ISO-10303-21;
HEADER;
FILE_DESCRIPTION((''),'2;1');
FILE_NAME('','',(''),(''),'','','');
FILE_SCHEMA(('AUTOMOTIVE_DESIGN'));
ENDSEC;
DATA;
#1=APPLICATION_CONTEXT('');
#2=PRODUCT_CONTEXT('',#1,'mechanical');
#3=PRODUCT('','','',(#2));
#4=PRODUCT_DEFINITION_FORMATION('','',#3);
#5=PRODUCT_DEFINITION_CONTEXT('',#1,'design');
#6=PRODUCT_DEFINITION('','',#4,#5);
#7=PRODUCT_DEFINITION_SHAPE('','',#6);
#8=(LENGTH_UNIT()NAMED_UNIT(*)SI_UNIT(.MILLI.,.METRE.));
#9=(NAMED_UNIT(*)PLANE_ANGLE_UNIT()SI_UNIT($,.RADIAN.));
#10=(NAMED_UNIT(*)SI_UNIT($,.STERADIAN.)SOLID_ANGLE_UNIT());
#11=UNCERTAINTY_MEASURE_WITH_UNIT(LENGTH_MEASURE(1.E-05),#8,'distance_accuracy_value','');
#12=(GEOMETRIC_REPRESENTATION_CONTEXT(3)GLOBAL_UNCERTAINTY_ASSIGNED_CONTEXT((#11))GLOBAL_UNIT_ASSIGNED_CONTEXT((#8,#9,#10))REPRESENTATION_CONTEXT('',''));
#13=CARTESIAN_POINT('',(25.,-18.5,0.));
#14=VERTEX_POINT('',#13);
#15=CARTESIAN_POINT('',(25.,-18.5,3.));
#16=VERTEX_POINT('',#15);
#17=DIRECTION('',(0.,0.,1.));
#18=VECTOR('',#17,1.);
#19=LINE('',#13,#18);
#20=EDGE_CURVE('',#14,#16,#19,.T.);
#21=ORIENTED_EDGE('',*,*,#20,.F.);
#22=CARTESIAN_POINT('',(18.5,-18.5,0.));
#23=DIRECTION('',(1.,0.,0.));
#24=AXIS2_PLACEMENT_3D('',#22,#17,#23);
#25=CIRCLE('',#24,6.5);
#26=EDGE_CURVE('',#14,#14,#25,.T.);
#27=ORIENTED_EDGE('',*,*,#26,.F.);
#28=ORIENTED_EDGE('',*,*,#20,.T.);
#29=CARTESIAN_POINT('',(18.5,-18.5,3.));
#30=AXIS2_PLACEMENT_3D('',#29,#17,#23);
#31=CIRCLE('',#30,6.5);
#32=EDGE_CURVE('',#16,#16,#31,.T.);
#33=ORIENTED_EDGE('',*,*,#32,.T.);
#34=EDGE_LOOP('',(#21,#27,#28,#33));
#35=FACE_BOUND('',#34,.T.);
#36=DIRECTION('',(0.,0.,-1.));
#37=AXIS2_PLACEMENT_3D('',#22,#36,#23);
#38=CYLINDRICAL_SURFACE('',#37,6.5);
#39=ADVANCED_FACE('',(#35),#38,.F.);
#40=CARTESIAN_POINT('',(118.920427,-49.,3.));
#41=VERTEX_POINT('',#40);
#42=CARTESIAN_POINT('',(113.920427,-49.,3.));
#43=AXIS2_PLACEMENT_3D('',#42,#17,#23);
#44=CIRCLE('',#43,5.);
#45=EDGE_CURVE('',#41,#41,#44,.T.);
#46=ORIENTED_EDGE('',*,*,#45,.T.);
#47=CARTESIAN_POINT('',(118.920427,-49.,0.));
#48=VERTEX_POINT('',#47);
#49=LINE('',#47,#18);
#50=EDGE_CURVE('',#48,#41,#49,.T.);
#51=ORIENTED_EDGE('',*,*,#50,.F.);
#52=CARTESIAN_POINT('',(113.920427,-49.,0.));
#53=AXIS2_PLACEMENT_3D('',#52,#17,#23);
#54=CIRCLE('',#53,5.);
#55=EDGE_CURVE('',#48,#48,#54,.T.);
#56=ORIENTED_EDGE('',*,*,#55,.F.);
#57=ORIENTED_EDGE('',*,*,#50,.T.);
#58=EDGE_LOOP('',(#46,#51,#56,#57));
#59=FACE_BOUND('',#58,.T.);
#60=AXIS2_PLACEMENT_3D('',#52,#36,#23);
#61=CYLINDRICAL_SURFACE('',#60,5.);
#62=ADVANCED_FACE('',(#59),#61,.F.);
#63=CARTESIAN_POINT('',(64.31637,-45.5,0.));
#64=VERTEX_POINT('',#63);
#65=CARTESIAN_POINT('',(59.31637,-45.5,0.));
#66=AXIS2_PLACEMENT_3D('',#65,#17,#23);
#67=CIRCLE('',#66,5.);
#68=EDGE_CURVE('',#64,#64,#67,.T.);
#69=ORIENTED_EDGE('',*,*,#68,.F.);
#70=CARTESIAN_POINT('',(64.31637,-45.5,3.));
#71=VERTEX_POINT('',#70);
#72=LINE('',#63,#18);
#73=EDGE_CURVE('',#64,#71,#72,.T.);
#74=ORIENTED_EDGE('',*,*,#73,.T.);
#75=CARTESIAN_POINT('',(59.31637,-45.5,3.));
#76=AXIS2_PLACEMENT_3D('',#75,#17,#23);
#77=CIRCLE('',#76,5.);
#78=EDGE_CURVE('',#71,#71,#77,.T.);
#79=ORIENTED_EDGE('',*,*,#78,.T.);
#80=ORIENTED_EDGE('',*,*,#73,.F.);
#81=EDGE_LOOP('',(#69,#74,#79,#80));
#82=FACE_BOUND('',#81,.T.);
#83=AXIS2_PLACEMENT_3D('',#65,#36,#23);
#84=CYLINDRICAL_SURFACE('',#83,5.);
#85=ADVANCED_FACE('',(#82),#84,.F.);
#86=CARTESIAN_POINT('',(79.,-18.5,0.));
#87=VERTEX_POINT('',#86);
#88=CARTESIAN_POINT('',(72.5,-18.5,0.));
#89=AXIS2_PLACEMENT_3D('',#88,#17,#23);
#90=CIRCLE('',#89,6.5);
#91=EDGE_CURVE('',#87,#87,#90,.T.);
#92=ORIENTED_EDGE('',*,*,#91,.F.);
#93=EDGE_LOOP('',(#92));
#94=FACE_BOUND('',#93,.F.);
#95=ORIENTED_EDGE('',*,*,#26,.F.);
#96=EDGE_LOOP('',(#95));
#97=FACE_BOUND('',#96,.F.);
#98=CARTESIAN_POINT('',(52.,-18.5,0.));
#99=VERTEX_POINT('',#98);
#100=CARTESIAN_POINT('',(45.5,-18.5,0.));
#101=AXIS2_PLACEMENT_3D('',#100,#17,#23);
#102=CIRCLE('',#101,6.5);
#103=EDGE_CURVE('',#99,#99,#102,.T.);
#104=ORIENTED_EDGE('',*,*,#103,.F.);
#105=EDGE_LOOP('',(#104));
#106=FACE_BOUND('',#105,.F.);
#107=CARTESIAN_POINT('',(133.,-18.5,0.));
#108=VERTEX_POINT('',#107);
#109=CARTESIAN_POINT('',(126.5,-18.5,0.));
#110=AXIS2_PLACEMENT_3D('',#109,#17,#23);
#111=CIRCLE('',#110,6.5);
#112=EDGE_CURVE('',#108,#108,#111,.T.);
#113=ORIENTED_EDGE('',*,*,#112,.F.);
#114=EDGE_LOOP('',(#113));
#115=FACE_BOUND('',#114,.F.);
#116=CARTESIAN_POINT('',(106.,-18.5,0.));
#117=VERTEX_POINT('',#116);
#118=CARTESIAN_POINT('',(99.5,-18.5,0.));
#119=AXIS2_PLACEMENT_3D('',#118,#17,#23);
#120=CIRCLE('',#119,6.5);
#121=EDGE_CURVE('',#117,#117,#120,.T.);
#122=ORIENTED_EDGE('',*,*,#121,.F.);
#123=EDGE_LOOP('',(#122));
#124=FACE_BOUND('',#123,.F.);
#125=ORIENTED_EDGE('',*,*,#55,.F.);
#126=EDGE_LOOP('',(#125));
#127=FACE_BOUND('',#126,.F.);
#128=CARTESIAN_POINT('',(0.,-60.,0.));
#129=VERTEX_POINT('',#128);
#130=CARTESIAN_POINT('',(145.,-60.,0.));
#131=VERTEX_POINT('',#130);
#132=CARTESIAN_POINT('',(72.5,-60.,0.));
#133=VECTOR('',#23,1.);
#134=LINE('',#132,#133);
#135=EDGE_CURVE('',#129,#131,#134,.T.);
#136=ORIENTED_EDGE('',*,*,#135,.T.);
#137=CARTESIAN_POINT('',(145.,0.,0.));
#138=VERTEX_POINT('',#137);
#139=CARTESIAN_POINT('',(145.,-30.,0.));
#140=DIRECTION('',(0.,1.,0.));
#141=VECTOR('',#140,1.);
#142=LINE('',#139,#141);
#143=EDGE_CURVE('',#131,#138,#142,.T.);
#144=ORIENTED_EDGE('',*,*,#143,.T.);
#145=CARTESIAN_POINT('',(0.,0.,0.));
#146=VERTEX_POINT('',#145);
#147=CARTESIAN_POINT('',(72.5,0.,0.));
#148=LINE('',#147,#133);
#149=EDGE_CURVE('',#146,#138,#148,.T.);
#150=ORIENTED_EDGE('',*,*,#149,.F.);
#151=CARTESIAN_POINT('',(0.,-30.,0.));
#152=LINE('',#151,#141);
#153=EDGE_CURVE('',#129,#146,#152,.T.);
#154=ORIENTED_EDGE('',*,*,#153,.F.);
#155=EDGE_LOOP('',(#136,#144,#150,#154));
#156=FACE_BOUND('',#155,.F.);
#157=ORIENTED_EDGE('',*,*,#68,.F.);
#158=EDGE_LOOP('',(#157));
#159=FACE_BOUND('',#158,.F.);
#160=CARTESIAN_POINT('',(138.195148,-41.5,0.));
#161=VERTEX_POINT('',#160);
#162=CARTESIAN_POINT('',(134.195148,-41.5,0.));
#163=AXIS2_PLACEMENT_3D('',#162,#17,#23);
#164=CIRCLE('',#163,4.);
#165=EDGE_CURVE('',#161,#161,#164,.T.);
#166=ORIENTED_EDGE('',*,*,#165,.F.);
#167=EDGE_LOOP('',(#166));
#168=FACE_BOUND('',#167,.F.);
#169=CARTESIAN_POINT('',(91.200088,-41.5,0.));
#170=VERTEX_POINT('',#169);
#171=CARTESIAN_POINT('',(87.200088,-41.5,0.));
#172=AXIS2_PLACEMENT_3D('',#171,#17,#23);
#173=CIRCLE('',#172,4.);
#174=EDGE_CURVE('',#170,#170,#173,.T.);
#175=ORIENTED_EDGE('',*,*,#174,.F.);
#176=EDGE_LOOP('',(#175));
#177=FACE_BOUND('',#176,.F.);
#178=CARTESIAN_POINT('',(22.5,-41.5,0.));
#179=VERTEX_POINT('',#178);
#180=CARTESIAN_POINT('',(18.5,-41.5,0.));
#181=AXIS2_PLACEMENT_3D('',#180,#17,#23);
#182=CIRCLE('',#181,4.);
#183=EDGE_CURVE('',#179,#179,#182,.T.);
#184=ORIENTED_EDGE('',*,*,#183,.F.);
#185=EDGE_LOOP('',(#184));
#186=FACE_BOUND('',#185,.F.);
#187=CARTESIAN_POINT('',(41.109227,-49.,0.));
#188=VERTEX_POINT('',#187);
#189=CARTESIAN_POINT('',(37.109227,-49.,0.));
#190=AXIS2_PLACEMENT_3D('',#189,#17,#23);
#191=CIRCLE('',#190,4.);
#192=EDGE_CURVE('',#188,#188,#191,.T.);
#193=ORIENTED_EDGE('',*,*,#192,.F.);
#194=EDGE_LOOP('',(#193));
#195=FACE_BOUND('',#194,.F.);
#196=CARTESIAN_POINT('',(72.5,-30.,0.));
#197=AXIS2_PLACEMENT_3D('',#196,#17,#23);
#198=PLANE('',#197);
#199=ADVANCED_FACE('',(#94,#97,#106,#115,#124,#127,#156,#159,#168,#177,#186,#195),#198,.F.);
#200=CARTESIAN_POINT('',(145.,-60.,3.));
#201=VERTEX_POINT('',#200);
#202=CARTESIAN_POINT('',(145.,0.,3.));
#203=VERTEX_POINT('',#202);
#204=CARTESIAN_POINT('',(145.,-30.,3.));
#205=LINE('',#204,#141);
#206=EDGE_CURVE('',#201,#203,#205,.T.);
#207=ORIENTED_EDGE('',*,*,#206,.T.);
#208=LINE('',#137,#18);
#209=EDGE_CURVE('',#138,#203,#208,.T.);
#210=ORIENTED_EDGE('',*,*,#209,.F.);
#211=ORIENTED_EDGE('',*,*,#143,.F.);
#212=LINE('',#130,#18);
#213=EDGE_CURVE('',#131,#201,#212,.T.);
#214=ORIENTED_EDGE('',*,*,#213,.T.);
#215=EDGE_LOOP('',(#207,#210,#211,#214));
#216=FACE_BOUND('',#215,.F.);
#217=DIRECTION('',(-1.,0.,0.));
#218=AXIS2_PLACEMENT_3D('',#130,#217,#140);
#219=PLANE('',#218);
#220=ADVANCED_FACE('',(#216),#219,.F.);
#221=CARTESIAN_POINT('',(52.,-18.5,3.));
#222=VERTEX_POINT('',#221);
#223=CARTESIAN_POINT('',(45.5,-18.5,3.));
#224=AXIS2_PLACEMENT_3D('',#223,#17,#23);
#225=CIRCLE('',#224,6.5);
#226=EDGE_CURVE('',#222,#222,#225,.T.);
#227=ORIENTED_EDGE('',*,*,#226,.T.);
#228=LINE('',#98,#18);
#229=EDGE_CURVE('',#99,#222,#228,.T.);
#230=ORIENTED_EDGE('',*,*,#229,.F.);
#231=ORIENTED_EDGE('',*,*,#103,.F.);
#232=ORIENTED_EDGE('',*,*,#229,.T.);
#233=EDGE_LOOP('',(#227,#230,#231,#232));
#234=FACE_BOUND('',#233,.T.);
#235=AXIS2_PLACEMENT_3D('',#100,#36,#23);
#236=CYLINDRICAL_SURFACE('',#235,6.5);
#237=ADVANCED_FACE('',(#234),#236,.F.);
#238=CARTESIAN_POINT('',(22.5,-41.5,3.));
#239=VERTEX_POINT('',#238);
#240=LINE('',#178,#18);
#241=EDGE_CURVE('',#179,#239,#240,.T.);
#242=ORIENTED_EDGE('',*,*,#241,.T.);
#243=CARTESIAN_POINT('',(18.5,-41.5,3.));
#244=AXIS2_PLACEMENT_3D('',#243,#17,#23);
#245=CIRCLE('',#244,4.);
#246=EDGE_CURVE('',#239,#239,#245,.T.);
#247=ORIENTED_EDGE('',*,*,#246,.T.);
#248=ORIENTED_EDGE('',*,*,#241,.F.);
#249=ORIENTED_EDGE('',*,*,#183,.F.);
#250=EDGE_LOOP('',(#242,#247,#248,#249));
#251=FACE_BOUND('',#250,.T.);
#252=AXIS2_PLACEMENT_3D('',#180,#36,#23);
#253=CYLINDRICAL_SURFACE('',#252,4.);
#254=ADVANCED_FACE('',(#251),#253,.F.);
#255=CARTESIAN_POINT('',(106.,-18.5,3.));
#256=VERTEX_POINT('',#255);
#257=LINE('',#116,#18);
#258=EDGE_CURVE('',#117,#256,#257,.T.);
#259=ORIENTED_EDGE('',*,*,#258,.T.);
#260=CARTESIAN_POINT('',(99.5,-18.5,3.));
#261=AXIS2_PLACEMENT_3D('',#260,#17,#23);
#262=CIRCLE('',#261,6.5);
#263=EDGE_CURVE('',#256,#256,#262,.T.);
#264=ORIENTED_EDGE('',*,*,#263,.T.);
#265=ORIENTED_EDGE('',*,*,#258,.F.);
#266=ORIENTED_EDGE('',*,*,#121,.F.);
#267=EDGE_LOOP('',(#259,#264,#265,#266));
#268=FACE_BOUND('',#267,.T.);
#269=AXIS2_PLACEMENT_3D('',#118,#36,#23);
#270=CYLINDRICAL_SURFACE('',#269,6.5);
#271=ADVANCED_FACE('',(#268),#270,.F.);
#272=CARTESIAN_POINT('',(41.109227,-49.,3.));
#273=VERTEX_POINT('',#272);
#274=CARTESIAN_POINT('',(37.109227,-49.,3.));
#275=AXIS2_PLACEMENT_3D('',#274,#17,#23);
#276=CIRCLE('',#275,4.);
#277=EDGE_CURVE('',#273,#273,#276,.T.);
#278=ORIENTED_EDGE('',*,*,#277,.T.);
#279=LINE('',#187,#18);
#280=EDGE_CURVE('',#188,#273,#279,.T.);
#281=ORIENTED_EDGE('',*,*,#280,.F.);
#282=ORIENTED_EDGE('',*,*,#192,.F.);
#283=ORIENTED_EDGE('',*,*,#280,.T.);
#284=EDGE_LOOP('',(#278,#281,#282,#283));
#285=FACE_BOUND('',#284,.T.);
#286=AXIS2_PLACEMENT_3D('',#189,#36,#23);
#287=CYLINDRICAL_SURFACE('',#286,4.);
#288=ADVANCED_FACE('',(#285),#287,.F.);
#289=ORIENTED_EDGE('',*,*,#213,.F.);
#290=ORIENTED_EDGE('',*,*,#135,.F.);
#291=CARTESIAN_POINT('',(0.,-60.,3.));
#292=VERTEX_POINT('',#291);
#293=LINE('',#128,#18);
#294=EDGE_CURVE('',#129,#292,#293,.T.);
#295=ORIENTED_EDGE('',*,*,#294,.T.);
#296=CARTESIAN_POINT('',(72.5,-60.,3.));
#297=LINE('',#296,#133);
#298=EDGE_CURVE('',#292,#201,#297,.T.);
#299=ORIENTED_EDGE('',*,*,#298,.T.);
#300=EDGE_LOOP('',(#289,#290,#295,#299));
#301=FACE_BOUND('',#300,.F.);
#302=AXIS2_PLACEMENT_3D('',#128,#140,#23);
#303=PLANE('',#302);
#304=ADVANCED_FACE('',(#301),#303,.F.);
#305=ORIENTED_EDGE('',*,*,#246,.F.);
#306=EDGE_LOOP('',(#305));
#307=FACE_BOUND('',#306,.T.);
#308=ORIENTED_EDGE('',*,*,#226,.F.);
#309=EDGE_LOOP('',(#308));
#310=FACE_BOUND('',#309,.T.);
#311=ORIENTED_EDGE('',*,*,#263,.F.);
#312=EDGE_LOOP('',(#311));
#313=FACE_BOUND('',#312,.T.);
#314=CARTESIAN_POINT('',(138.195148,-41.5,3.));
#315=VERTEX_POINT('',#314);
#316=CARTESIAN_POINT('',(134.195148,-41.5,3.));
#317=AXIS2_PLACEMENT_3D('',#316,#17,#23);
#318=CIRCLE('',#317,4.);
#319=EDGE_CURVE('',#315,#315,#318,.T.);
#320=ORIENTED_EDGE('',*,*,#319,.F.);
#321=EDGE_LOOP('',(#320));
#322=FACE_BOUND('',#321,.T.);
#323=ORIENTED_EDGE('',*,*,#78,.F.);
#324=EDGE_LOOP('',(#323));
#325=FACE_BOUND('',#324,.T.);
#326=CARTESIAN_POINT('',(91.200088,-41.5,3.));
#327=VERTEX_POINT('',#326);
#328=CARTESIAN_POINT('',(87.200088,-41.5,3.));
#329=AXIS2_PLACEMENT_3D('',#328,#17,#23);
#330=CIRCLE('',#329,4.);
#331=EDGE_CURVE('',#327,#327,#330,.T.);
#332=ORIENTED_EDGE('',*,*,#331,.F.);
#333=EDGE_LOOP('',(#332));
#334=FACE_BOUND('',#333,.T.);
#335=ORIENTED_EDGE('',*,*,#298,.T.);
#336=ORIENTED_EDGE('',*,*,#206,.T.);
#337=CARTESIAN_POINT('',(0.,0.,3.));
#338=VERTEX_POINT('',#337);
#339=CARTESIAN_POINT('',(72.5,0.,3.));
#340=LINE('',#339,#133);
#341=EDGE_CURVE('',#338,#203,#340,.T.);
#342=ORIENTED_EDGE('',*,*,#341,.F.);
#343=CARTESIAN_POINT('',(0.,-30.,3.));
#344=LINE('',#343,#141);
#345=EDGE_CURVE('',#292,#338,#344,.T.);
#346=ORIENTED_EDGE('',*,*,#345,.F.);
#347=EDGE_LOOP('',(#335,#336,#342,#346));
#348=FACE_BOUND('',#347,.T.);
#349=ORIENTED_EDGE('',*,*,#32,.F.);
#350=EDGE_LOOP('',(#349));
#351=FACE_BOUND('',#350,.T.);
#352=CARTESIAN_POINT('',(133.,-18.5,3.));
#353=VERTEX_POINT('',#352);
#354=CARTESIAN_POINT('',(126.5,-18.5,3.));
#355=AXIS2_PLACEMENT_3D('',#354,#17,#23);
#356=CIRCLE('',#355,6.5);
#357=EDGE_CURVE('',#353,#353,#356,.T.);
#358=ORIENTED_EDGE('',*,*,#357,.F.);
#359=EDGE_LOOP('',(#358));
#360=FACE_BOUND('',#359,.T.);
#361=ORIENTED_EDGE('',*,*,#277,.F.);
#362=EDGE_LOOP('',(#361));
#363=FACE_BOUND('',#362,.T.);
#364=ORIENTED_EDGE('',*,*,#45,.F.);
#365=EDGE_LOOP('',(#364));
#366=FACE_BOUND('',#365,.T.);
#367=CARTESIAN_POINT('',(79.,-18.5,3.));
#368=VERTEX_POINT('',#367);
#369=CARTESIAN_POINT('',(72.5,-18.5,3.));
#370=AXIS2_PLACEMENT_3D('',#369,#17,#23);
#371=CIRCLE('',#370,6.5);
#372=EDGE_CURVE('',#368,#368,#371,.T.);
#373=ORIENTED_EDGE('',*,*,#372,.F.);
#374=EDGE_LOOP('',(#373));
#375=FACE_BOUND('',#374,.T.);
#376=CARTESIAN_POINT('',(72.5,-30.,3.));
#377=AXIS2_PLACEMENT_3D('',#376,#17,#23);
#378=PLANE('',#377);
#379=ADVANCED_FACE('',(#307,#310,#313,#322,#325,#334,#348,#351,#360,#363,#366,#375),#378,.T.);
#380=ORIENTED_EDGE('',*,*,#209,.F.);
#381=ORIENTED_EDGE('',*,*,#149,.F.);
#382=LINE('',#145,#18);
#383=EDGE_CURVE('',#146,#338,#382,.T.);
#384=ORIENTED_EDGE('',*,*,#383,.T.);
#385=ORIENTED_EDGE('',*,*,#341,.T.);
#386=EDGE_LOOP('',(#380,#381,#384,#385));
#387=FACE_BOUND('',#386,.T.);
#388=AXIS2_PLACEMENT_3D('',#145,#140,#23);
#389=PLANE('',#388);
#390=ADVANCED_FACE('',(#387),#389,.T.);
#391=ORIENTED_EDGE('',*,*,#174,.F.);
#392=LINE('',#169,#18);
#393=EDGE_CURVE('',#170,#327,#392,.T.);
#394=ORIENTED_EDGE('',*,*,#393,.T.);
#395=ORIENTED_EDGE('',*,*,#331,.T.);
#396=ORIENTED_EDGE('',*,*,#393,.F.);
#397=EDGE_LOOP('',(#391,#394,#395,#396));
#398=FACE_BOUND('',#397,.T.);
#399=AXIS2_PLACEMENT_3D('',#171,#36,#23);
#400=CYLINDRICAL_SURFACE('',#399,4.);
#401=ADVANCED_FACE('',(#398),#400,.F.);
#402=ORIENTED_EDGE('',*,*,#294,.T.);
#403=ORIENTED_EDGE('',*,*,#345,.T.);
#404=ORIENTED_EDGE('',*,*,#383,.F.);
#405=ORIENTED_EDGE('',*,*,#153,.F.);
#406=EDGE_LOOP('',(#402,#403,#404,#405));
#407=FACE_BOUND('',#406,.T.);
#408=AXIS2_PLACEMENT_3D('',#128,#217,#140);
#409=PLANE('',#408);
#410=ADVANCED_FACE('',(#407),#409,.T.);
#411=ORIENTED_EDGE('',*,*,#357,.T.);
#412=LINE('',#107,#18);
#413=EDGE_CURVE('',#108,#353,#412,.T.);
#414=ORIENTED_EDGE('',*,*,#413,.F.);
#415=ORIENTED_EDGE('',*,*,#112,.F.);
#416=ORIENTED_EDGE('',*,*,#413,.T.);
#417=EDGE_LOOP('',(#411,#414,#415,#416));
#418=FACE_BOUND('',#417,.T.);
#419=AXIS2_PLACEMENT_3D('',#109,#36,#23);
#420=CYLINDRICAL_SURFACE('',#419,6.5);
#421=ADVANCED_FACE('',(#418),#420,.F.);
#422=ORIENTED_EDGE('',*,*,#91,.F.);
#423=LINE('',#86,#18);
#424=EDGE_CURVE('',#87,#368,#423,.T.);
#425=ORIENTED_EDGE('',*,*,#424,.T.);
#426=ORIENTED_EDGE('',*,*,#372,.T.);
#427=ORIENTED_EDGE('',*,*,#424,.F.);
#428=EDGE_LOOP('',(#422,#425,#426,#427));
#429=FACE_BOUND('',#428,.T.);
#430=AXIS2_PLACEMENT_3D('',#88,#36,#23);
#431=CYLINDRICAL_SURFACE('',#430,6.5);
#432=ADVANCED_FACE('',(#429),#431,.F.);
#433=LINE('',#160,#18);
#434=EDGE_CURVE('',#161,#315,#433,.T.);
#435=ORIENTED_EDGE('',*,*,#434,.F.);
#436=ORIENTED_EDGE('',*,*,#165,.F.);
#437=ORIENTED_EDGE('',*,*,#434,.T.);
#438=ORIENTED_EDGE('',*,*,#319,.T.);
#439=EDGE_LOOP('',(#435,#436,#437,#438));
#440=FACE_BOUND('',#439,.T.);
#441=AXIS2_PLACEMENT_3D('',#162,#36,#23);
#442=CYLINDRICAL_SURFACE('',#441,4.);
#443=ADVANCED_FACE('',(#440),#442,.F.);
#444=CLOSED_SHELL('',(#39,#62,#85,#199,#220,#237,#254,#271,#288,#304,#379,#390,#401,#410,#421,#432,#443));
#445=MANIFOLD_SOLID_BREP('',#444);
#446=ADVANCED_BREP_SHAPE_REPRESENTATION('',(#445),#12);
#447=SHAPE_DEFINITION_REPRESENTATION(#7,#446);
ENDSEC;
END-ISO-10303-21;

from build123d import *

# Parameters (mm, degrees)
F0_W     = 145
F0_H     = 60
F0_R     = 4
F0_R_2   = 5
F0_R_3   = 6.5
F1_DEPTH = 3


with BuildPart() as f1:
    # F0 (on Top) → F1 (new body)
    with BuildSketch(Plane.XY):
        with Locations((72.5, -30)):
            Rectangle(F0_W, F0_H)
        with Locations((37.109227, -49)):
            Circle(F0_R, mode=Mode.SUBTRACT)
        with Locations((59.31637, -45.5)):
            Circle(F0_R_2, mode=Mode.SUBTRACT)
        with Locations((18.5, -41.5)):
            Circle(F0_R, mode=Mode.SUBTRACT)
        with Locations((113.920427, -49)):
            Circle(F0_R_2, mode=Mode.SUBTRACT)
        with Locations((87.200088, -41.5)):
            Circle(F0_R, mode=Mode.SUBTRACT)
        with Locations((134.195148, -41.5)):
            Circle(F0_R, mode=Mode.SUBTRACT)
        with Locations((18.5, -18.5)):
            Circle(F0_R_3, mode=Mode.SUBTRACT)
        with Locations((45.5, -18.5)):
            Circle(F0_R_3, mode=Mode.SUBTRACT)
        with Locations((72.5, -18.5)):
            Circle(F0_R_3, mode=Mode.SUBTRACT)
        with Locations((99.5, -18.5)):
            Circle(F0_R_3, mode=Mode.SUBTRACT)
        with Locations((126.5, -18.5)):
            Circle(F0_R_3, mode=Mode.SUBTRACT)
    extrude(amount=F1_DEPTH)


solid = f1.part
